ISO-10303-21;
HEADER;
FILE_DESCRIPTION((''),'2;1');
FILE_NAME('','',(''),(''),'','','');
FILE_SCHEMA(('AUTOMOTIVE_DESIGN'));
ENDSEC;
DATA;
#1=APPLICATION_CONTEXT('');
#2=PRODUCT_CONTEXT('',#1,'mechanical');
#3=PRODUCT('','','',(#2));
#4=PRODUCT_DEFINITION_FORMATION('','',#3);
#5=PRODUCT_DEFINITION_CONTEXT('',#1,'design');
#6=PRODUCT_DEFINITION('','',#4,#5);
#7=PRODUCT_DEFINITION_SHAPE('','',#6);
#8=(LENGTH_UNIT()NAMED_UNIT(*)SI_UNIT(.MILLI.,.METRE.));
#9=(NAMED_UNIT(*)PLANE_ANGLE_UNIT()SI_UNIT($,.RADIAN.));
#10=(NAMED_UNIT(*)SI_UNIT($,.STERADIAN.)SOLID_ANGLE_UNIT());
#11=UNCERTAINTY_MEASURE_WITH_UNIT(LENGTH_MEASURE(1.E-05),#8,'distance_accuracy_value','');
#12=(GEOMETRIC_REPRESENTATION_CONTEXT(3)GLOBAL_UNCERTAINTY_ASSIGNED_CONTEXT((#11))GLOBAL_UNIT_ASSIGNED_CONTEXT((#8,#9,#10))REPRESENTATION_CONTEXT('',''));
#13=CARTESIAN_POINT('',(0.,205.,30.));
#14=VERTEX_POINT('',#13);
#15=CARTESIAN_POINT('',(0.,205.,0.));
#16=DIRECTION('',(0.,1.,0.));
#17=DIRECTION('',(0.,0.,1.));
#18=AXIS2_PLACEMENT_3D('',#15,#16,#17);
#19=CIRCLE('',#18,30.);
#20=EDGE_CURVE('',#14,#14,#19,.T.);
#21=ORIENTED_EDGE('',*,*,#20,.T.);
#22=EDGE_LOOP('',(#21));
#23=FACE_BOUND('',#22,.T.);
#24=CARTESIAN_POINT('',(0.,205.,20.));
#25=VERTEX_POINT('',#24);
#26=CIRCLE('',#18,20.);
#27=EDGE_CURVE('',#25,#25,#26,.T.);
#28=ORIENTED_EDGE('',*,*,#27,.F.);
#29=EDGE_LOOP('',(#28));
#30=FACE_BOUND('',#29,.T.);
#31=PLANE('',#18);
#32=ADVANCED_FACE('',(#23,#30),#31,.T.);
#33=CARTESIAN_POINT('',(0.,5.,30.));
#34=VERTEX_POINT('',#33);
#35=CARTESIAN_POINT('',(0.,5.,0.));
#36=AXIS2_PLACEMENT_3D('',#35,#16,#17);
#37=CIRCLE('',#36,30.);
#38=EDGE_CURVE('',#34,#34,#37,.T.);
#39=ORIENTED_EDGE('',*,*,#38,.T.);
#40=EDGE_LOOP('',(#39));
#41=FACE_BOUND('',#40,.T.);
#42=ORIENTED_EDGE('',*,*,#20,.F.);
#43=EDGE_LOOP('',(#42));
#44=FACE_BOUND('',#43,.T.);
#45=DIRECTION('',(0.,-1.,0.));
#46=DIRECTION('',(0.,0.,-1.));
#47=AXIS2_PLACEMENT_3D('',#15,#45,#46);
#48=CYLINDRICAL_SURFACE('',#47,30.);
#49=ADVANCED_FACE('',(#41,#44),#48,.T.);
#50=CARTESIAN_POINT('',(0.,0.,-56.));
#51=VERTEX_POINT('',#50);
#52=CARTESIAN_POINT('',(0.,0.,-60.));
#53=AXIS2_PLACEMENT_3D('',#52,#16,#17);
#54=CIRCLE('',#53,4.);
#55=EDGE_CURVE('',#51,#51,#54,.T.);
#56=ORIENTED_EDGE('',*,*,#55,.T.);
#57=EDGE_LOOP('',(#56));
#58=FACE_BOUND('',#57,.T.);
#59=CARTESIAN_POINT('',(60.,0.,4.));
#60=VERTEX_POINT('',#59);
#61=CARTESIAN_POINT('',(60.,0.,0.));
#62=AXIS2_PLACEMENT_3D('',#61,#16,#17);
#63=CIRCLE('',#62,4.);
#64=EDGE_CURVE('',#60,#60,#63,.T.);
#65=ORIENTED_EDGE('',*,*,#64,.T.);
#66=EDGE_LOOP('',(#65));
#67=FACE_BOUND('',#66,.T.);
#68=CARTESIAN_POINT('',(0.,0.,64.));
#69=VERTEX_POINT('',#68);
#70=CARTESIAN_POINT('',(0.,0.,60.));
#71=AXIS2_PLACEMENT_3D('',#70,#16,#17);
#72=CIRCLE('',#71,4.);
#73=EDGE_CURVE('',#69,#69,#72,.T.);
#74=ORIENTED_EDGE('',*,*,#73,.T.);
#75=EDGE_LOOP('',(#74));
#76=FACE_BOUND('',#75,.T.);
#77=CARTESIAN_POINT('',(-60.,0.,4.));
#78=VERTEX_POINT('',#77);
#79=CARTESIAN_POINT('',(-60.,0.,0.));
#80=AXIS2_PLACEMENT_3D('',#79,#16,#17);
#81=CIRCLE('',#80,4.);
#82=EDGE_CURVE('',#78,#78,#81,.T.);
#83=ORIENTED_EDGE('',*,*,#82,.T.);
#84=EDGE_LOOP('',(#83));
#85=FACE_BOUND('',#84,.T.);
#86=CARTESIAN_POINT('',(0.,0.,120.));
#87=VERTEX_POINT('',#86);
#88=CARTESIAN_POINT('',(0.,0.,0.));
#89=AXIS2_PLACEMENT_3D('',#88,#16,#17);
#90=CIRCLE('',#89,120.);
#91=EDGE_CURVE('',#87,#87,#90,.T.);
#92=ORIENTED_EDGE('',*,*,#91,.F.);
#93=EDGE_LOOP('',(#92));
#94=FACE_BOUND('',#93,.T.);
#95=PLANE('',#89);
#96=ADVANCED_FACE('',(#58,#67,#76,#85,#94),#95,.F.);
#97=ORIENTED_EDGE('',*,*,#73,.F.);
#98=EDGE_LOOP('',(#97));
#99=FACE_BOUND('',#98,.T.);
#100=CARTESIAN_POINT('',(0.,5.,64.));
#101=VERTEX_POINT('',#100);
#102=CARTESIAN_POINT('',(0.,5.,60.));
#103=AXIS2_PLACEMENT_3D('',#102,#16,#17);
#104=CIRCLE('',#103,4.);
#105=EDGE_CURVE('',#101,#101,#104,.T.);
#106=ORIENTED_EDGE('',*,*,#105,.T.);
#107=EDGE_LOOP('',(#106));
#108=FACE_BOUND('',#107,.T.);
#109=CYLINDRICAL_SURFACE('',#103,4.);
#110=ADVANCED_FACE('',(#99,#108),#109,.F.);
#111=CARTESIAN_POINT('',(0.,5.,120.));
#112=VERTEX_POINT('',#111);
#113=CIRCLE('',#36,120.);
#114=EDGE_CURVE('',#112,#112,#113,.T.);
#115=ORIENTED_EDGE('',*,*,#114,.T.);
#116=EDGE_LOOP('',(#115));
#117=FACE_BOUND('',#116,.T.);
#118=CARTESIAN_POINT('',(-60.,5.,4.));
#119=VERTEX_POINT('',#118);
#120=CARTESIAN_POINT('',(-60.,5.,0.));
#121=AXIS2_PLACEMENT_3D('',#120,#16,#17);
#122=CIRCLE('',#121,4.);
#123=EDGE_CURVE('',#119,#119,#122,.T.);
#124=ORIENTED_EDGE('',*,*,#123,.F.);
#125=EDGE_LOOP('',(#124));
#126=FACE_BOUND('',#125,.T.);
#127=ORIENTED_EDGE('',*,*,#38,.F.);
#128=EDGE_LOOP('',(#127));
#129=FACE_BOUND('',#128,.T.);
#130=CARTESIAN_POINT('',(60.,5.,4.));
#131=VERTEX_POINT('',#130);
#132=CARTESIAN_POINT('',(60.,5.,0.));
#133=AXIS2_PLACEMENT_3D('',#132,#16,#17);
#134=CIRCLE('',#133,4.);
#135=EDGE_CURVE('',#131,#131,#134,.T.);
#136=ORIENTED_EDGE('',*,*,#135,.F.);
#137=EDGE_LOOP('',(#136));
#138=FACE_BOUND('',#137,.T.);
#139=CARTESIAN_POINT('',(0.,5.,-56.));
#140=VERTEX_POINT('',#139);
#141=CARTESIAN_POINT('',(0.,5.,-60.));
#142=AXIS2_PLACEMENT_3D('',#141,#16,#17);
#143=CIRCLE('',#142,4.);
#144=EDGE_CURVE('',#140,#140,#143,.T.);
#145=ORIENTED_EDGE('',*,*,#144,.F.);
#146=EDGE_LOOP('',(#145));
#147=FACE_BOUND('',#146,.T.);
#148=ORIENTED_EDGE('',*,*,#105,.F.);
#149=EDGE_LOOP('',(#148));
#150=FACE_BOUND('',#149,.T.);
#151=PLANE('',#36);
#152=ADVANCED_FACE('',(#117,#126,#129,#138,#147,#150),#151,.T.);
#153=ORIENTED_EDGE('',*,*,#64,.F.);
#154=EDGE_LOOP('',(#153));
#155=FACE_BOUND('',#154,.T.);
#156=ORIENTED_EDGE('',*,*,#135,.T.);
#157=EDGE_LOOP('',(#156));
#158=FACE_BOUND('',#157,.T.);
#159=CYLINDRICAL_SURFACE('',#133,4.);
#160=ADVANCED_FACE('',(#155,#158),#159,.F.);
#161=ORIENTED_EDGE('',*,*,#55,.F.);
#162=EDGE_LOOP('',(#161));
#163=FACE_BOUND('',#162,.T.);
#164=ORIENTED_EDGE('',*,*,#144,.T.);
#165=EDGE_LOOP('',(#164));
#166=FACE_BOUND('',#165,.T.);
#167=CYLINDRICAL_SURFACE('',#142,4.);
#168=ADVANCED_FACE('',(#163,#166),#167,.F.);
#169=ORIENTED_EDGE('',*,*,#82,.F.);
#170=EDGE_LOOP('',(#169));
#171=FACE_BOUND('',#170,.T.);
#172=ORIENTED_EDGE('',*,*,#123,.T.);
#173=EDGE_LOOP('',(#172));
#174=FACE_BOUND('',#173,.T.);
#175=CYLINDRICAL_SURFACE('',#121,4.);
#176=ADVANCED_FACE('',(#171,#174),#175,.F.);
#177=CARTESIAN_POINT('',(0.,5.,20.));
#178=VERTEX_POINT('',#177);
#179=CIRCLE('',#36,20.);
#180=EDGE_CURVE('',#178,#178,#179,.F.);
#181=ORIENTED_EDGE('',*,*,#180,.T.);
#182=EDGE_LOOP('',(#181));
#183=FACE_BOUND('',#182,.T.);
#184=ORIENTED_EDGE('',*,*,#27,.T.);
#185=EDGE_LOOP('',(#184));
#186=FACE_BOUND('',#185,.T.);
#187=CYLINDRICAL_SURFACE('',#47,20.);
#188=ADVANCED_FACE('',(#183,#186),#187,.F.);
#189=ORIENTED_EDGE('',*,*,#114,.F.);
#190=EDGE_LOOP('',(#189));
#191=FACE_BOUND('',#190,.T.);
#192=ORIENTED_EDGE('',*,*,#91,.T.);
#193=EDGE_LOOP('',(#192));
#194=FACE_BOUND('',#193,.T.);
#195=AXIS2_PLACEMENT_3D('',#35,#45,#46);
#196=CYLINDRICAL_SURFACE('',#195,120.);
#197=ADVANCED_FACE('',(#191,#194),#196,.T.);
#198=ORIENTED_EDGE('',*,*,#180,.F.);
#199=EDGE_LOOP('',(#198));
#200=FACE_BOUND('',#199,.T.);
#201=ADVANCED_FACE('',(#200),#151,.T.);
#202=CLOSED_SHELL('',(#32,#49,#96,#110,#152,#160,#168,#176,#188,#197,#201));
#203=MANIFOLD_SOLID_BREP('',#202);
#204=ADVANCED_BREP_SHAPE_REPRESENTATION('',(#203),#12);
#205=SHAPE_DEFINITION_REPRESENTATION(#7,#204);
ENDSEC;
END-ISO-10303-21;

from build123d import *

# Parameters (mm, degrees)
SKETCH_1_R      = 120
EXTRUDE_1_DEPTH = 5
MM_2_D          = 8
MM_2_DEPTH      = 20
MM_2_TIP        = 2.403442476
SKETCH_6_R      = 30
SKETCH_6_R_2    = 20
EXTRUDE_2_DEPTH = 200


with BuildPart() as part:
    # 草图1 → 凸台-拉伸1 (new body)
    with BuildSketch(Plane(origin=(0, 0, 0), x_dir=(1, 0, 0), z_dir=(0, 1, 0))):
        with Locations(Location((0, 0, 0), (0, 0, 270))):
            Circle(SKETCH_1_R)
    extrude(amount=EXTRUDE_1_DEPTH)

    # 大小mm 暗销孔2
    with Locations(Plane(origin=(0, 5, -60), x_dir=(0, 0, 1), z_dir=(0, 1, 0))):
        with Locations((0, 0), (60, -60), (120, 0), (60, 60)):
            Hole(MM_2_D / 2, depth=MM_2_DEPTH)
            with Locations((0, 0, -(MM_2_DEPTH + MM_2_TIP / 2))):  # 118° drill point
                Cone(0, MM_2_D / 2, MM_2_TIP, mode=Mode.SUBTRACT)

    # 草图6 → 凸台-拉伸2 (add)
    with BuildSketch(Plane(origin=(0, 5, 0), x_dir=(1, 0, 0), z_dir=(0, 1, 0))):
        with Locations(Location((0, 0, 0), (0, 0, 270))):
            Circle(SKETCH_6_R)
        with Locations(Location((0, 0, 0), (0, 0, 270))):
            Circle(SKETCH_6_R_2, mode=Mode.SUBTRACT)
    extrude(amount=EXTRUDE_2_DEPTH)


solid = part.part
